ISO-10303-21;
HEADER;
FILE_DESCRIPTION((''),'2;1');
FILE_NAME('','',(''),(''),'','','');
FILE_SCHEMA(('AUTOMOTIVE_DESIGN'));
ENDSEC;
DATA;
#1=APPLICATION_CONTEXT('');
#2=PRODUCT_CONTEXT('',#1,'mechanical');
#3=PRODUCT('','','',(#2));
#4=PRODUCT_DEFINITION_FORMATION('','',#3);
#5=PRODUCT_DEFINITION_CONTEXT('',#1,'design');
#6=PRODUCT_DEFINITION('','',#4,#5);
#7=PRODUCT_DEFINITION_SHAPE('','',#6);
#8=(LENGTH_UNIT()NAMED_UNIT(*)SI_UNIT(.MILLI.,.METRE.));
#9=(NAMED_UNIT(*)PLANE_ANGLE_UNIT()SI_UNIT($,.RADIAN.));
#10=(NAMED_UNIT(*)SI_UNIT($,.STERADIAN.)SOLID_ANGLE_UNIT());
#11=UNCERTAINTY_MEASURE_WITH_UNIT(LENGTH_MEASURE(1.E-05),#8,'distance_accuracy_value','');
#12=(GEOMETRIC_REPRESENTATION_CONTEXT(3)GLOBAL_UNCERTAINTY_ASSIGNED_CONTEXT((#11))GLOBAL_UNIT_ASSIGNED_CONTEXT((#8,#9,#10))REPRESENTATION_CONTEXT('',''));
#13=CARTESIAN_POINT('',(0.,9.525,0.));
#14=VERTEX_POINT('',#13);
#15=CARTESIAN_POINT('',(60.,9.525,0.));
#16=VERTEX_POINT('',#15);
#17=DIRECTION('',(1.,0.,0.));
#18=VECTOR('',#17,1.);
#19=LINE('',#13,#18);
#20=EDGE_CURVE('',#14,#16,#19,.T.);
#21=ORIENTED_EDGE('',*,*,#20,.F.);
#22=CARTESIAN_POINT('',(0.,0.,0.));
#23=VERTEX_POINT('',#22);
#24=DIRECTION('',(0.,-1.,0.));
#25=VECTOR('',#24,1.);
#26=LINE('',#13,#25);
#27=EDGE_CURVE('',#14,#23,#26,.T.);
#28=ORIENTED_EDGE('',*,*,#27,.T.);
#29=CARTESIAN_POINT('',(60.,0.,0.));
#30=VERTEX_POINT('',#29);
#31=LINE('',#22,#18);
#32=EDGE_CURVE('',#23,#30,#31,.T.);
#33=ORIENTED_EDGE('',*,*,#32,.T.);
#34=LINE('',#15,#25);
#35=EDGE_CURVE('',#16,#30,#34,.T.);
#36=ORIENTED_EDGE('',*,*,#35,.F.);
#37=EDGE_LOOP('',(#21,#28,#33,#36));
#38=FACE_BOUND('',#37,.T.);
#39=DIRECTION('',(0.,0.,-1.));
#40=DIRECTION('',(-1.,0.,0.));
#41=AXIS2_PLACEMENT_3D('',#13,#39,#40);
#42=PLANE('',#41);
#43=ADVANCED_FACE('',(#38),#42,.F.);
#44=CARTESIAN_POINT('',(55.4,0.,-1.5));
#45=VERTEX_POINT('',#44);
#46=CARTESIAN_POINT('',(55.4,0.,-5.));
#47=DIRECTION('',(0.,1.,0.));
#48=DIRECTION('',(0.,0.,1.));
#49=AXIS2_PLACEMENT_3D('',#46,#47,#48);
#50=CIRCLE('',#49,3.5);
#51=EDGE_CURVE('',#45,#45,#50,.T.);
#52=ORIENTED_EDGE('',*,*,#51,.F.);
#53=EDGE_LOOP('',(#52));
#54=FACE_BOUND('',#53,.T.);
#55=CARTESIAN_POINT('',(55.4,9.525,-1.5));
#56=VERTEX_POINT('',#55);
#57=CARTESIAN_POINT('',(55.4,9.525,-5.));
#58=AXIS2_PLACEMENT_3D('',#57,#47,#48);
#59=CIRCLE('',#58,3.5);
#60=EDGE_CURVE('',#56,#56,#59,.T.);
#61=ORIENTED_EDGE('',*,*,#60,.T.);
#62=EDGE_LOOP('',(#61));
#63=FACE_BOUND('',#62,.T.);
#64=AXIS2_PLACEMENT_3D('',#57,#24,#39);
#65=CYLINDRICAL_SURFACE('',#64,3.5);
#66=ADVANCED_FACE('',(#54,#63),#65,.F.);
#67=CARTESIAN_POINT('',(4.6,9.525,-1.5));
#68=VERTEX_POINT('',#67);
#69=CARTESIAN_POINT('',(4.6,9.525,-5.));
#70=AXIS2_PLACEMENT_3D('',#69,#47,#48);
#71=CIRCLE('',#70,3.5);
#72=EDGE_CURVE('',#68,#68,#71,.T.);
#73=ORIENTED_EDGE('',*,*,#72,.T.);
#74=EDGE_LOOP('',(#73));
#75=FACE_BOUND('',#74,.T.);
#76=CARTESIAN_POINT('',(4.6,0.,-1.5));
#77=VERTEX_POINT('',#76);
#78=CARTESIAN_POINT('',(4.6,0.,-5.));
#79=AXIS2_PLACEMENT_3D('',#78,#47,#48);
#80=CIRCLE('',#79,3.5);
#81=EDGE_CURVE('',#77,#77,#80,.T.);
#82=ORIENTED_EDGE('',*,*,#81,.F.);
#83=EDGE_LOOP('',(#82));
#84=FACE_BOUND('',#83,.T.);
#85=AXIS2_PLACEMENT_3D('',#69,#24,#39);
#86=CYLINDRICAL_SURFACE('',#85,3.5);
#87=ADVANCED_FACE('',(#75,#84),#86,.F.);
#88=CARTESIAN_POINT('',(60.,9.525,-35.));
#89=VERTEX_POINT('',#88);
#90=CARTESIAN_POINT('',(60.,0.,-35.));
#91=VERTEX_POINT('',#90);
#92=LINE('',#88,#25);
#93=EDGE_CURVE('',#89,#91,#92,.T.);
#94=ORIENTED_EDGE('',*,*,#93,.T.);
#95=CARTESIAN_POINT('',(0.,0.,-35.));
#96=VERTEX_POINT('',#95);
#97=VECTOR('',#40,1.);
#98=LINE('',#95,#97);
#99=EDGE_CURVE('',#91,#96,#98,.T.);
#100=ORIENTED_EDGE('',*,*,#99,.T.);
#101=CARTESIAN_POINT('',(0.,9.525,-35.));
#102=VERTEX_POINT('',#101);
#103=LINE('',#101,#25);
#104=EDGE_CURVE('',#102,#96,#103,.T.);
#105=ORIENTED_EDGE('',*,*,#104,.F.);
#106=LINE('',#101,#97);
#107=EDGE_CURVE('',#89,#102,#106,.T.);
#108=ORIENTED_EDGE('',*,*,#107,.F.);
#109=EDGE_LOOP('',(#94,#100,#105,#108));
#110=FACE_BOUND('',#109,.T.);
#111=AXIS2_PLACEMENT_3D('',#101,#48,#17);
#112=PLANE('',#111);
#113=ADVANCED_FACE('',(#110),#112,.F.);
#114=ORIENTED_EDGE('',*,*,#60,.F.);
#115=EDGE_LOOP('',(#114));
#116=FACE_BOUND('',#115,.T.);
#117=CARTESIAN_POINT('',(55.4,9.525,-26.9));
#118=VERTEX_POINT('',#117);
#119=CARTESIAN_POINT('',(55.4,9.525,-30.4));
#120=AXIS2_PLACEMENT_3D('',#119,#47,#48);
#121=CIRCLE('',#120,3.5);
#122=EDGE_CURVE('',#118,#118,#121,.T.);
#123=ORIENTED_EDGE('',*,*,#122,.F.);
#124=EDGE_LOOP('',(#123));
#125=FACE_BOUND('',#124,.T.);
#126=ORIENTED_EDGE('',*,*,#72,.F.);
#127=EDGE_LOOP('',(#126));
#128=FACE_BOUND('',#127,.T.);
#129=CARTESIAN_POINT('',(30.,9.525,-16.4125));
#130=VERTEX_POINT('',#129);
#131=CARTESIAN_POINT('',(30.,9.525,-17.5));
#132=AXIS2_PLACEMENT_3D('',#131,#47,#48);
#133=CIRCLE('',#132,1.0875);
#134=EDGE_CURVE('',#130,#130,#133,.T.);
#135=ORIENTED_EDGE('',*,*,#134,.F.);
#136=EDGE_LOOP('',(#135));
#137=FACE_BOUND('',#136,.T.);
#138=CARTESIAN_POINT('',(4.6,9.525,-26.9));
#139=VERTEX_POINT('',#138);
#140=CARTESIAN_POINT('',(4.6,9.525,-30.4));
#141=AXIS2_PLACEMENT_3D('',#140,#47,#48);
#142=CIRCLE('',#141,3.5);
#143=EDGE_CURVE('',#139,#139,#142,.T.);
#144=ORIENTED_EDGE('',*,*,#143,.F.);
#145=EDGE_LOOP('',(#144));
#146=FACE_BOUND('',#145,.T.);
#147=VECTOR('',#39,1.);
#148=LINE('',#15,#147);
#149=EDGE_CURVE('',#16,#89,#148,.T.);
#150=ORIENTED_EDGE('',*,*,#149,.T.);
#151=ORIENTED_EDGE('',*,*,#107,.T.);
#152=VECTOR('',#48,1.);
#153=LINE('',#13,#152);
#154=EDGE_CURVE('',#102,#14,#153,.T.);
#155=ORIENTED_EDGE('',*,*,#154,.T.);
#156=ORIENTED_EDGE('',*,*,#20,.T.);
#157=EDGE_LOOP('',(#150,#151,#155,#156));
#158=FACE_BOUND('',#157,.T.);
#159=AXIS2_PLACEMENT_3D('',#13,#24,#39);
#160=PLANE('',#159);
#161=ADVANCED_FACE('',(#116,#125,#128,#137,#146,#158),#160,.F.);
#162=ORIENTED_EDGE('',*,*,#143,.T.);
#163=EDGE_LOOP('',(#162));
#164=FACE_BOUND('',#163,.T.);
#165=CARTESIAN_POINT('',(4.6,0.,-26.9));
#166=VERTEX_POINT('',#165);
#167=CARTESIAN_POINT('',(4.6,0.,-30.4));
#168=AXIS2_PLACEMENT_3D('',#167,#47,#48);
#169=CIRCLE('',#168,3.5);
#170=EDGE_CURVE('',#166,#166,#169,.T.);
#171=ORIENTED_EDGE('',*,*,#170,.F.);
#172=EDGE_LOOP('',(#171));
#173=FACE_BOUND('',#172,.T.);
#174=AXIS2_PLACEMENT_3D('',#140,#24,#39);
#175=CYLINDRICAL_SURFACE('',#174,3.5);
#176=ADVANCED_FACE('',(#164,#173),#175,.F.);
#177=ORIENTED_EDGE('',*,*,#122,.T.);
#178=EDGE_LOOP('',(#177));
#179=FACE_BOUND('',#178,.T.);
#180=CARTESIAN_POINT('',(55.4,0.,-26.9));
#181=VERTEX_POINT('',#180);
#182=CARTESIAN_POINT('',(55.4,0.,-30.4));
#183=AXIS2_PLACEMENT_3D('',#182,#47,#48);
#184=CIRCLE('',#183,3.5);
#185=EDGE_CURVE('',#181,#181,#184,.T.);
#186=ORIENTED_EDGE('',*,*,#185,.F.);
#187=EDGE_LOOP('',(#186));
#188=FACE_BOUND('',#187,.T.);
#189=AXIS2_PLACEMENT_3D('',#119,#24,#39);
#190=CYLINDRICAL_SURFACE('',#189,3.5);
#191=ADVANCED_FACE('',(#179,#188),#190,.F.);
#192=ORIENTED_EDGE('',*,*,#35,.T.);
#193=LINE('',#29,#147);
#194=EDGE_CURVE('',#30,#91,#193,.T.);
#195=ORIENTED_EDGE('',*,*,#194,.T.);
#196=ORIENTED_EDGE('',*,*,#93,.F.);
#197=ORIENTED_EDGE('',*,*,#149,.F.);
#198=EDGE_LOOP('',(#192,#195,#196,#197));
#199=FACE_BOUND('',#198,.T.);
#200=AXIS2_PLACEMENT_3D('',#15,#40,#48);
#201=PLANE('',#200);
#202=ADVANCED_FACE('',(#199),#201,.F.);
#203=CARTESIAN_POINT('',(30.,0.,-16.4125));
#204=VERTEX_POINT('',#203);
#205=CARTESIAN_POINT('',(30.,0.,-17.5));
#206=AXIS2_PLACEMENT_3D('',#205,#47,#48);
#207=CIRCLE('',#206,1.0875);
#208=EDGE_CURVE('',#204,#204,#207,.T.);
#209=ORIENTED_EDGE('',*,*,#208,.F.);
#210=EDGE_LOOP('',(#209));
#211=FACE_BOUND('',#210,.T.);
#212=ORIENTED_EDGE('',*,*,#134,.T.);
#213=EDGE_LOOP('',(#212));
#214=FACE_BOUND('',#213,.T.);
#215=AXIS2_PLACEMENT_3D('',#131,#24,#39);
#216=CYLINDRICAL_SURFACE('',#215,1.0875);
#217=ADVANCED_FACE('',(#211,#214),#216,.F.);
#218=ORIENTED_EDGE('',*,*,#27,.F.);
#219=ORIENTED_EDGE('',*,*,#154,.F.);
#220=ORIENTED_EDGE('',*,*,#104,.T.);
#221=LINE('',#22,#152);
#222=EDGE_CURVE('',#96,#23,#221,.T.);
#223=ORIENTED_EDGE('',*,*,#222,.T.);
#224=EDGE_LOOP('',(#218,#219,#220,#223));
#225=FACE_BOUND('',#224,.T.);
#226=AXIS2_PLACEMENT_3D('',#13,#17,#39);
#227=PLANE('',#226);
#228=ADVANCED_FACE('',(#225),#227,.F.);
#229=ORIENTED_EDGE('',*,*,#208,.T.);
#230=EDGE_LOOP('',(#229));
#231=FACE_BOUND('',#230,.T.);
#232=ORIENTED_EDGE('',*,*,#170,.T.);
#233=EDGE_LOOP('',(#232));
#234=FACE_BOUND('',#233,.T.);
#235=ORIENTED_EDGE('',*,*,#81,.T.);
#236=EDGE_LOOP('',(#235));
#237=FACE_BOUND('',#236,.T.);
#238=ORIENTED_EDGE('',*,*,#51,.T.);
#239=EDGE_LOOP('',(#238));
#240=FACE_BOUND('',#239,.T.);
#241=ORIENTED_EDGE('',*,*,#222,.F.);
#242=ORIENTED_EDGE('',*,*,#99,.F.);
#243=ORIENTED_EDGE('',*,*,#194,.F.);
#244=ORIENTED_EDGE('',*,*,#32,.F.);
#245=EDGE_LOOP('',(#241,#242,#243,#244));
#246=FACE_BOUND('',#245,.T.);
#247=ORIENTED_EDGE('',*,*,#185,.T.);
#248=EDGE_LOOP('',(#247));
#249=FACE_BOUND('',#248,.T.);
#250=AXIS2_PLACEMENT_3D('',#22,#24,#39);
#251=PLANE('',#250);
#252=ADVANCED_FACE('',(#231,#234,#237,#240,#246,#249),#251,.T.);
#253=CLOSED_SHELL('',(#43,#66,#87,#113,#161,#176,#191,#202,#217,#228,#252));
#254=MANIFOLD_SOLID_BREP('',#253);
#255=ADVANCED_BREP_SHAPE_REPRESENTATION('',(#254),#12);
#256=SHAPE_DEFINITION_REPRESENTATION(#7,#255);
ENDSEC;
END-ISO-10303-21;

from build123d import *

# Parameters (mm, degrees)
SKETCH1_W           = 60
SKETCH1_H           = 35
SKETCH1_R           = 3.5
SKETCH1_R_2         = 1.0875
BOSS_EXTRUDE1_DEPTH = 9.525


with BuildPart() as part:
    # Sketch1 → Boss-Extrude1 (new body)
    with BuildSketch(Plane(origin=(0, 0, 0), x_dir=(1, 0, 0), z_dir=(0, 1, 0))):
        with Locations((30, 17.5)):
            Rectangle(SKETCH1_W, SKETCH1_H)
        with Locations((4.6, 30.4)):
            Circle(SKETCH1_R, mode=Mode.SUBTRACT)
        with Locations((55.4, 30.4)):
            Circle(SKETCH1_R, mode=Mode.SUBTRACT)
        with Locations((4.6, 5)):
            Circle(SKETCH1_R, mode=Mode.SUBTRACT)
        with Locations((55.4, 5)):
            Circle(SKETCH1_R, mode=Mode.SUBTRACT)
        with Locations((30, 17.5)):
            Circle(SKETCH1_R_2, mode=Mode.SUBTRACT)
    extrude(amount=BOSS_EXTRUDE1_DEPTH)


solid = part.part
